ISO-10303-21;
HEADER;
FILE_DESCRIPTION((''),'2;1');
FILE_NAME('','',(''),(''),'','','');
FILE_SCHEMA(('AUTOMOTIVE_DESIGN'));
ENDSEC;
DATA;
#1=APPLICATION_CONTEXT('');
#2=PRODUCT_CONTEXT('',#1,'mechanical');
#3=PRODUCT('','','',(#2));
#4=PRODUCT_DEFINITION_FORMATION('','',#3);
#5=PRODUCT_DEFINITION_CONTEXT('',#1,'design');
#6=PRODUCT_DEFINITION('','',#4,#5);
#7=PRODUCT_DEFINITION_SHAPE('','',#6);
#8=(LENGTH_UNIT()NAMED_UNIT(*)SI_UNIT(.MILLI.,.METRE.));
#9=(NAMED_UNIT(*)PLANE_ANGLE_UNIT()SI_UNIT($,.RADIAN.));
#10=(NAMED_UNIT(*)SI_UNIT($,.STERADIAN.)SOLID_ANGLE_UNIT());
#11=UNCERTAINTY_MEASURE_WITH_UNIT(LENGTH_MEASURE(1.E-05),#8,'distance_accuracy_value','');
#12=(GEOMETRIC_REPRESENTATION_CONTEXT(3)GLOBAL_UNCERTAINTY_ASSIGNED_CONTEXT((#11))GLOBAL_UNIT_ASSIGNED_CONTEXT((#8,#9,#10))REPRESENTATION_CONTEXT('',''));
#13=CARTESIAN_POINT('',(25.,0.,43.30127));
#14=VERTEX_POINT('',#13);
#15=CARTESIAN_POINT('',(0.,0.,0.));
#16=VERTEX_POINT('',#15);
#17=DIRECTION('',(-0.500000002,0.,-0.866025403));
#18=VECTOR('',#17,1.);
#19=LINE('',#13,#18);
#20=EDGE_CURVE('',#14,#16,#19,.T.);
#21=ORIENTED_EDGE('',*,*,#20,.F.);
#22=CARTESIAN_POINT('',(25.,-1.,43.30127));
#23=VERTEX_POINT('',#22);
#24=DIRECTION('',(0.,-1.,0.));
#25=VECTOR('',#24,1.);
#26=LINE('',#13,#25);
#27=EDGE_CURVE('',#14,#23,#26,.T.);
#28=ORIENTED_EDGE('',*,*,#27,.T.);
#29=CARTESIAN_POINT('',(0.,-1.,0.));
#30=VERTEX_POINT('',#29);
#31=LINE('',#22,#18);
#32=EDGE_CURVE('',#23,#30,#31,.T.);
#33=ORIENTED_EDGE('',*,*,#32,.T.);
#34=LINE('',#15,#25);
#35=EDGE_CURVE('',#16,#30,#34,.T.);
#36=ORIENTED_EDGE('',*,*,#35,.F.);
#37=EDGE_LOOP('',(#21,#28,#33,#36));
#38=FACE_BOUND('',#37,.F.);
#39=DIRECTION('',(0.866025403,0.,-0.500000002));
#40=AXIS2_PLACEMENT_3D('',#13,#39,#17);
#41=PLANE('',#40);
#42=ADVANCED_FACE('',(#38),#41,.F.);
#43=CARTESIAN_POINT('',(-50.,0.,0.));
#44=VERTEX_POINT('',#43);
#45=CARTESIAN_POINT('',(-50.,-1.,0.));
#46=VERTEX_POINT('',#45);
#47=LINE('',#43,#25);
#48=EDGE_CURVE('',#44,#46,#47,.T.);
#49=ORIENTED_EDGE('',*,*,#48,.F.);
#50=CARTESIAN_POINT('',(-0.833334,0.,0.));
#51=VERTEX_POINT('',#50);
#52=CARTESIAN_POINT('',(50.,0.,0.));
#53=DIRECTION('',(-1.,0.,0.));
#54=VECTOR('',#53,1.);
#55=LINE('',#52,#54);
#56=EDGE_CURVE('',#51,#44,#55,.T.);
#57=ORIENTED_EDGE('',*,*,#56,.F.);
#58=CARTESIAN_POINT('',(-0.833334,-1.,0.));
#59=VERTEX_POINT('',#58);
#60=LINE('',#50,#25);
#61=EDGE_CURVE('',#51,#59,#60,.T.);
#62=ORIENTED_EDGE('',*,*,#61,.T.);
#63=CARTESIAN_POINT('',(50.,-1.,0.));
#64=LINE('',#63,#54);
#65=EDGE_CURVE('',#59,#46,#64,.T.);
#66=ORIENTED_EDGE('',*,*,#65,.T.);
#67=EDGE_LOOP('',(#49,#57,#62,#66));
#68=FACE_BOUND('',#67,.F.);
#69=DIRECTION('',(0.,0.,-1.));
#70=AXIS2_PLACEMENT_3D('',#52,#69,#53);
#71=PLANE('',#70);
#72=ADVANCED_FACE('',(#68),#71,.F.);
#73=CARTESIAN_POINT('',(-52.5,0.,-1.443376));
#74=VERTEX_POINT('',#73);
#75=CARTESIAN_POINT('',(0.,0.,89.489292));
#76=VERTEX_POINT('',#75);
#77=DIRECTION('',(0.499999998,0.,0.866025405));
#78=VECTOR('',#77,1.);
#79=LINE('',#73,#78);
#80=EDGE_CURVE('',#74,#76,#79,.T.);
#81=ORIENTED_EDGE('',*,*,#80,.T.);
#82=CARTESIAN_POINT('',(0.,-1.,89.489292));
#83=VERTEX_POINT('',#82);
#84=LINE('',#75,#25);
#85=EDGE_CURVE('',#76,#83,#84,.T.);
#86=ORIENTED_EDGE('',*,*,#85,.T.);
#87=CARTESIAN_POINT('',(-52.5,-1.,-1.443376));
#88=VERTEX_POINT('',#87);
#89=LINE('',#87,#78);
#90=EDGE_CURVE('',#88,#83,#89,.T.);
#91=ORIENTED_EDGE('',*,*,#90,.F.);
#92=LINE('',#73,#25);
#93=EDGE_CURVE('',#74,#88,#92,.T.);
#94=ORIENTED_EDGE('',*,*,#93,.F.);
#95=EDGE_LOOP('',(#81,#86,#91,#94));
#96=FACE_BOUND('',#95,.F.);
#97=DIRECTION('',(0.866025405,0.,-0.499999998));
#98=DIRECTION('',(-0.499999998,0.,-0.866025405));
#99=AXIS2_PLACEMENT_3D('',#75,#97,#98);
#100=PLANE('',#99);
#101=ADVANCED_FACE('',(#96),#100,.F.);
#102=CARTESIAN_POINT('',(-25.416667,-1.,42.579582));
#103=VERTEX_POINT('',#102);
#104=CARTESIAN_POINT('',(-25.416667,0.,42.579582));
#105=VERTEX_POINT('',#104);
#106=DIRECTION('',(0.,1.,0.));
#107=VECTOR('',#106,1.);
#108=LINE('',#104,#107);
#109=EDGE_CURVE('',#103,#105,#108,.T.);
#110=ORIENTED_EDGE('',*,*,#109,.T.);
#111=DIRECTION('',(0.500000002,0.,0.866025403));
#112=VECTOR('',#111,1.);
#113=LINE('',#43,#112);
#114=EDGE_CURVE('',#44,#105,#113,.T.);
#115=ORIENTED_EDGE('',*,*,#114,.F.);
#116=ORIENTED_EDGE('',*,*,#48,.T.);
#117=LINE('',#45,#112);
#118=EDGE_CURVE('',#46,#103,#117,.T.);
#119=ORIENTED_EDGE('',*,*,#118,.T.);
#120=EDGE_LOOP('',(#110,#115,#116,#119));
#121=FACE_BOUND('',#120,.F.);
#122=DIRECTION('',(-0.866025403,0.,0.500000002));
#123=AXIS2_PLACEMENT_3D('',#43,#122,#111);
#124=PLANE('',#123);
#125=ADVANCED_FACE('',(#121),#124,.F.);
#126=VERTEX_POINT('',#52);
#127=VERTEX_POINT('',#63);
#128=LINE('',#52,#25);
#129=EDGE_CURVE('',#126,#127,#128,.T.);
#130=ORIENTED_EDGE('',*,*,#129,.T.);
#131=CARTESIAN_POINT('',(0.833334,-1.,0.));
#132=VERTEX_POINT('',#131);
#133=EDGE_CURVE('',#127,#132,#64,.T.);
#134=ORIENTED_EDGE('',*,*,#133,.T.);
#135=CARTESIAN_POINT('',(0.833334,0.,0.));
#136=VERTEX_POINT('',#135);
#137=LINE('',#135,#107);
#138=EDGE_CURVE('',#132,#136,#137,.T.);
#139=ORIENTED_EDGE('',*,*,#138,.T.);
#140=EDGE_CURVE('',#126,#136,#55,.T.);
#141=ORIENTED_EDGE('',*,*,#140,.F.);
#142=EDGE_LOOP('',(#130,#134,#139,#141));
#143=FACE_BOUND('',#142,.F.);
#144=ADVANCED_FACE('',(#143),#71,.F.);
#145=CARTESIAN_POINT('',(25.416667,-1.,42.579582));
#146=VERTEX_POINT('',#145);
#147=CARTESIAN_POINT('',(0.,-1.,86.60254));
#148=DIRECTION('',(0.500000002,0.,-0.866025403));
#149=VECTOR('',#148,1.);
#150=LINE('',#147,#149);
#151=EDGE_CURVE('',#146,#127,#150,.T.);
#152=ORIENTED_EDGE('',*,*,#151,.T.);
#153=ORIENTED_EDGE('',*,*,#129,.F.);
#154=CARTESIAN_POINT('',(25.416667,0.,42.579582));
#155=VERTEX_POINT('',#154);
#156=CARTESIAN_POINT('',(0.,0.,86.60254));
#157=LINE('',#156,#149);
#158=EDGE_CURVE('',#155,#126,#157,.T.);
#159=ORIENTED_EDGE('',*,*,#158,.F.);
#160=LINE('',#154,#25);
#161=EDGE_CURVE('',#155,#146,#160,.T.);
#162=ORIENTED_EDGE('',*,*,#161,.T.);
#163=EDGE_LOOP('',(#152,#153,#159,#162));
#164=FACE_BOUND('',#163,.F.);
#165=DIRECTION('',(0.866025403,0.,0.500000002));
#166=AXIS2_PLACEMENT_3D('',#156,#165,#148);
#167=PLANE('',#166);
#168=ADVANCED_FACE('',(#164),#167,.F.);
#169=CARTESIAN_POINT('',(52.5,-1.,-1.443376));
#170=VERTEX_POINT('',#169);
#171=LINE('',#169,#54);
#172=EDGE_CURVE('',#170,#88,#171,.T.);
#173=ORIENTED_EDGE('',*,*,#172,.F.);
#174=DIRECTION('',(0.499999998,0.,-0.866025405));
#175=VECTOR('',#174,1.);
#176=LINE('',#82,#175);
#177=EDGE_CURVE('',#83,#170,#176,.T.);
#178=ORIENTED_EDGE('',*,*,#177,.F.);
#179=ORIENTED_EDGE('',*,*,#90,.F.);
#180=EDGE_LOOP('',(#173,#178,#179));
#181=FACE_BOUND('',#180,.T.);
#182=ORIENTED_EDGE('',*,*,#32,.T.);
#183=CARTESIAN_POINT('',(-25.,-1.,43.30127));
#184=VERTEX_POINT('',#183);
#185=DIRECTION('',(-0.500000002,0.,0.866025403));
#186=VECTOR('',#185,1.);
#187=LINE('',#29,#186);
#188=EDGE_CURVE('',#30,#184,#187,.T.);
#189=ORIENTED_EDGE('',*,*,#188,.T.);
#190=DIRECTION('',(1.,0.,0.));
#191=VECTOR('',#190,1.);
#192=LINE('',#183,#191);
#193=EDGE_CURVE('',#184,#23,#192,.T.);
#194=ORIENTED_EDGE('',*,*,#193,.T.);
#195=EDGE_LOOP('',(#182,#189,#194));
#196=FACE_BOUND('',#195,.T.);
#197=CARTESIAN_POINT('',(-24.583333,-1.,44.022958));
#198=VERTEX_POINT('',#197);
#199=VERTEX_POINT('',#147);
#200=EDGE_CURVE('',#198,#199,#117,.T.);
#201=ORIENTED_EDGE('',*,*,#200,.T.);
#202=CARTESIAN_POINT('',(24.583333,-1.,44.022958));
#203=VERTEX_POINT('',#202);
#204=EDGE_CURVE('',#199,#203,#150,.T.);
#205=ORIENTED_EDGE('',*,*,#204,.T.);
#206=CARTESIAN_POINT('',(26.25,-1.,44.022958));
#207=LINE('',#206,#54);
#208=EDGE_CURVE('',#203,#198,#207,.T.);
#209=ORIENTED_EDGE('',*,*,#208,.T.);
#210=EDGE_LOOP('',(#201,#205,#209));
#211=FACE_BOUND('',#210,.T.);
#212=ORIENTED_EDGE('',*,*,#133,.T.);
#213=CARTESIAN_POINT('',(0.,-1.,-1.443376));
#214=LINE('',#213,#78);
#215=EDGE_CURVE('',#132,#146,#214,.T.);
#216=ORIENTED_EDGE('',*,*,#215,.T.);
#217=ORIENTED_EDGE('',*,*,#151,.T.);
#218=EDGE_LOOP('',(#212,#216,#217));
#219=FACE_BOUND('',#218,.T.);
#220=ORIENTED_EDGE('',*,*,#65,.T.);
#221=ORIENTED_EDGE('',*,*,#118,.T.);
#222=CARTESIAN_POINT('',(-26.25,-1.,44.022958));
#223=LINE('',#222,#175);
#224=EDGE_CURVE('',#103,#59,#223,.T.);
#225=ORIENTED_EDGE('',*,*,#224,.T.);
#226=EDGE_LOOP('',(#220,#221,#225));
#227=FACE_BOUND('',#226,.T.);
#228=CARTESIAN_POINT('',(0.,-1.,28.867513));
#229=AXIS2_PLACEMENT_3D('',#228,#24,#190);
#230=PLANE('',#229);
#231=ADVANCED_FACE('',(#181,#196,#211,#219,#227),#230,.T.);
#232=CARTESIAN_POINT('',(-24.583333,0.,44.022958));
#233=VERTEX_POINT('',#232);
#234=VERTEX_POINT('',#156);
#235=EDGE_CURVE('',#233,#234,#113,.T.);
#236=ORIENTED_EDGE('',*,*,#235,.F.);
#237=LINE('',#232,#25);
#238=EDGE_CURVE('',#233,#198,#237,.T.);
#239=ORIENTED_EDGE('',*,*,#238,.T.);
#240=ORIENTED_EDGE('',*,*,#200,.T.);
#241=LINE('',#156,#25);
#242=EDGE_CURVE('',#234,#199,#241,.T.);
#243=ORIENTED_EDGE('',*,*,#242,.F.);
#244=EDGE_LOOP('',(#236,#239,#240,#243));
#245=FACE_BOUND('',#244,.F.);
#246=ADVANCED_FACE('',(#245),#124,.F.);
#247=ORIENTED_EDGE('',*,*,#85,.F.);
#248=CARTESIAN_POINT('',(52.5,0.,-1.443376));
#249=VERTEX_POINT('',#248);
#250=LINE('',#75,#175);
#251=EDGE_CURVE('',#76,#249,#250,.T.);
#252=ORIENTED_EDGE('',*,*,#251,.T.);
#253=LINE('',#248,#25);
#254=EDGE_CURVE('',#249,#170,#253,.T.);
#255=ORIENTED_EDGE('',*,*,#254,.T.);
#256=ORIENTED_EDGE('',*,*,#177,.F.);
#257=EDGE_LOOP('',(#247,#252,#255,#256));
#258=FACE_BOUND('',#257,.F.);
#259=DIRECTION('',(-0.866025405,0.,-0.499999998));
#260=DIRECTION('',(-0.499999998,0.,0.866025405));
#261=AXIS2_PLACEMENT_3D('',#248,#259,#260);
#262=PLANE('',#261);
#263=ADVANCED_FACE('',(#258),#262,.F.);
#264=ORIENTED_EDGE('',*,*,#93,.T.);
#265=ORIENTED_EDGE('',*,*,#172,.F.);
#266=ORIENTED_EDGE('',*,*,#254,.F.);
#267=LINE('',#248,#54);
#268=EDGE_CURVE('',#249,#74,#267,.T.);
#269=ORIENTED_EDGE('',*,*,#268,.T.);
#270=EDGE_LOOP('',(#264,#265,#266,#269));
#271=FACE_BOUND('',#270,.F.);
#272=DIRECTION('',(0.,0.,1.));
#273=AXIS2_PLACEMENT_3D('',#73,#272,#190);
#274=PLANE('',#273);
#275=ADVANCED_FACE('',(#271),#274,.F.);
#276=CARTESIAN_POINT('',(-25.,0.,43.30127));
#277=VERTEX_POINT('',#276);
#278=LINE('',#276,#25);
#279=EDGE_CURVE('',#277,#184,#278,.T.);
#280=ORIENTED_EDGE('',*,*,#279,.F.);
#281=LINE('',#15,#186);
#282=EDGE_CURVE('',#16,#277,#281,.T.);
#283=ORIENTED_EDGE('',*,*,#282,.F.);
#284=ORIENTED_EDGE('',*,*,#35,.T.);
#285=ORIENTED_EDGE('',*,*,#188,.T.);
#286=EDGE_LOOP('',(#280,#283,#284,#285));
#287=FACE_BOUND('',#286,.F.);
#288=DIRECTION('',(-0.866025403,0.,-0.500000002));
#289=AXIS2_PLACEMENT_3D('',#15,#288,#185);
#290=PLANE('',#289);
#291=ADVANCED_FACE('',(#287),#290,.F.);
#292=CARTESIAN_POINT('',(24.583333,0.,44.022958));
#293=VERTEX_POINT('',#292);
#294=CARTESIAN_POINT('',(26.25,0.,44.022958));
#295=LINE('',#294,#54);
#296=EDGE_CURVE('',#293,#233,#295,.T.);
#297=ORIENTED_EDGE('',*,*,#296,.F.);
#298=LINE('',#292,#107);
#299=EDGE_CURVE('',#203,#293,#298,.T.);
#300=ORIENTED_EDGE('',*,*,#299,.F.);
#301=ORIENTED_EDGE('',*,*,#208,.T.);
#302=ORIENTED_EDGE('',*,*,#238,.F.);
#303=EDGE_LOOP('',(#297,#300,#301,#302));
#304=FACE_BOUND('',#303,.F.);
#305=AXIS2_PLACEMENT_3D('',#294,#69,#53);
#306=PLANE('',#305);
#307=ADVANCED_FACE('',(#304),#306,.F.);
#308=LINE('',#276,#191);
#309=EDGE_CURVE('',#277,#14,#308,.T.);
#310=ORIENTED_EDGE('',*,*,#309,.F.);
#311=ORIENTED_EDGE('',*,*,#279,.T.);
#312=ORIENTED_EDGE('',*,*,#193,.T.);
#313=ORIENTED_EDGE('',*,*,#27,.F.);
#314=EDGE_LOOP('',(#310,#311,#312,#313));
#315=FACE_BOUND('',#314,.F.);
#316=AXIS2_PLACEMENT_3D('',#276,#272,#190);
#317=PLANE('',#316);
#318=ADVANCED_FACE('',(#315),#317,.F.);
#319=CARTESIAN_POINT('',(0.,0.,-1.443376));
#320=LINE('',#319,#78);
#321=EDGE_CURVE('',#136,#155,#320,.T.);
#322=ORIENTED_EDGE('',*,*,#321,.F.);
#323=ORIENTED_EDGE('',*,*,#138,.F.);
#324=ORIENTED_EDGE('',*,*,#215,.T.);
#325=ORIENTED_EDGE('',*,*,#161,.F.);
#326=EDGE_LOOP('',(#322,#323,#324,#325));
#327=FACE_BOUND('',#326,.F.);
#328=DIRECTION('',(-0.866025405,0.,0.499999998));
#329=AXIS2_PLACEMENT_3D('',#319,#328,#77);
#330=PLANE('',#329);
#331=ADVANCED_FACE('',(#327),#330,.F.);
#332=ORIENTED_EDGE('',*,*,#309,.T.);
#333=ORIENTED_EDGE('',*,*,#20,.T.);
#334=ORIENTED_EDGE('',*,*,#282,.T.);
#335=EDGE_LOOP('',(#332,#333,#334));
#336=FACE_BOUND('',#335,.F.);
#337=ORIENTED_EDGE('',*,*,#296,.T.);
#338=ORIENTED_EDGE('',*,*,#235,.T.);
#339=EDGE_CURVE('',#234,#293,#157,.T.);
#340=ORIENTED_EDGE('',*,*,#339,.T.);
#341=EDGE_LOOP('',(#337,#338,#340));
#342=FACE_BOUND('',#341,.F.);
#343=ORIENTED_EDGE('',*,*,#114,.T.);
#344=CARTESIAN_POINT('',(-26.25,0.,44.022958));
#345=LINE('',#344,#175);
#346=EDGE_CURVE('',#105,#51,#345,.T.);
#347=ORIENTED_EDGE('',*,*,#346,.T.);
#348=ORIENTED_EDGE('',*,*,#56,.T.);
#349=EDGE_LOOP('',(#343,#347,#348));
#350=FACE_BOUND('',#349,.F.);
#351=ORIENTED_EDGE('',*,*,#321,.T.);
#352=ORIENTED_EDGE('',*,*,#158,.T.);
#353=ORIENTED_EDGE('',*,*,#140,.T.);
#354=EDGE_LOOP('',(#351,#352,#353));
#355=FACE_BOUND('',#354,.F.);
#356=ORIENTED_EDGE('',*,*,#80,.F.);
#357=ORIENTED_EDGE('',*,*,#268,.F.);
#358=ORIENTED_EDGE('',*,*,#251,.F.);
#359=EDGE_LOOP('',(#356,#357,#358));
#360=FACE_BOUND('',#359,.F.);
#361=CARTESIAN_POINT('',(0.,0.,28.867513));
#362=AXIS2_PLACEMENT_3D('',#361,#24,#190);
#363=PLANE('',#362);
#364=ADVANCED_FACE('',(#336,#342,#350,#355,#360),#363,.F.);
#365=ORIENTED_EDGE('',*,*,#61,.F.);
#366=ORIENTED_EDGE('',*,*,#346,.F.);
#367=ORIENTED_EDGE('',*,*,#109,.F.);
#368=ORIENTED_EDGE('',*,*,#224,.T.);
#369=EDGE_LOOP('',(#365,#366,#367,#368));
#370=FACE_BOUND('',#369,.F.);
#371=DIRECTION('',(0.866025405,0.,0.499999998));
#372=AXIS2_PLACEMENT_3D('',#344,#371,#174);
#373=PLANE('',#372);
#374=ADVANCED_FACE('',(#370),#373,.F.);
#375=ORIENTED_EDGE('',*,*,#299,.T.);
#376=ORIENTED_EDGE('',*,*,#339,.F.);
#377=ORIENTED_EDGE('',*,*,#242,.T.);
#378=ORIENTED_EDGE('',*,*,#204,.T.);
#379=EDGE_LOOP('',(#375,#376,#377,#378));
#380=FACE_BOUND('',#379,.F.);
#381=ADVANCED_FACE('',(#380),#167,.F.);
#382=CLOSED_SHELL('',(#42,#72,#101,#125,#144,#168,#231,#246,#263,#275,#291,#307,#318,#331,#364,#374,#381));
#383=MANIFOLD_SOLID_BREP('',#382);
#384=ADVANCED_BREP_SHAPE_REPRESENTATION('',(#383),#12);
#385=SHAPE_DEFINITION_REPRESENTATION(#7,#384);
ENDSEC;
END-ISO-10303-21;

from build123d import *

# Parameters (mm, degrees)
F1_DEPTH = 1
F3_DEPTH = 1


with BuildPart() as f1:
    # F0 (on Front) → F1 (new body)
    with BuildSketch(Plane.XZ):
        Polygon((52.5, -1.443376), (0, 89.489292), (-52.5, -1.443376), align=None)
        Polygon((50, 0), (-50, 0), (0, 86.60254), align=None, mode=Mode.SUBTRACT)
    extrude(amount=F1_DEPTH)

    # F2 (on Front) → F3 (join)
    with BuildSketch(Plane.XZ):
        Polygon((26.25, 44.022958), (-26.25, 44.022958), (0, -1.443376), align=None)
        Polygon((25, 43.30127), (0, 0), (-25, 43.30127), align=None, mode=Mode.SUBTRACT)
    extrude(amount=F3_DEPTH)


solid = f1.part
